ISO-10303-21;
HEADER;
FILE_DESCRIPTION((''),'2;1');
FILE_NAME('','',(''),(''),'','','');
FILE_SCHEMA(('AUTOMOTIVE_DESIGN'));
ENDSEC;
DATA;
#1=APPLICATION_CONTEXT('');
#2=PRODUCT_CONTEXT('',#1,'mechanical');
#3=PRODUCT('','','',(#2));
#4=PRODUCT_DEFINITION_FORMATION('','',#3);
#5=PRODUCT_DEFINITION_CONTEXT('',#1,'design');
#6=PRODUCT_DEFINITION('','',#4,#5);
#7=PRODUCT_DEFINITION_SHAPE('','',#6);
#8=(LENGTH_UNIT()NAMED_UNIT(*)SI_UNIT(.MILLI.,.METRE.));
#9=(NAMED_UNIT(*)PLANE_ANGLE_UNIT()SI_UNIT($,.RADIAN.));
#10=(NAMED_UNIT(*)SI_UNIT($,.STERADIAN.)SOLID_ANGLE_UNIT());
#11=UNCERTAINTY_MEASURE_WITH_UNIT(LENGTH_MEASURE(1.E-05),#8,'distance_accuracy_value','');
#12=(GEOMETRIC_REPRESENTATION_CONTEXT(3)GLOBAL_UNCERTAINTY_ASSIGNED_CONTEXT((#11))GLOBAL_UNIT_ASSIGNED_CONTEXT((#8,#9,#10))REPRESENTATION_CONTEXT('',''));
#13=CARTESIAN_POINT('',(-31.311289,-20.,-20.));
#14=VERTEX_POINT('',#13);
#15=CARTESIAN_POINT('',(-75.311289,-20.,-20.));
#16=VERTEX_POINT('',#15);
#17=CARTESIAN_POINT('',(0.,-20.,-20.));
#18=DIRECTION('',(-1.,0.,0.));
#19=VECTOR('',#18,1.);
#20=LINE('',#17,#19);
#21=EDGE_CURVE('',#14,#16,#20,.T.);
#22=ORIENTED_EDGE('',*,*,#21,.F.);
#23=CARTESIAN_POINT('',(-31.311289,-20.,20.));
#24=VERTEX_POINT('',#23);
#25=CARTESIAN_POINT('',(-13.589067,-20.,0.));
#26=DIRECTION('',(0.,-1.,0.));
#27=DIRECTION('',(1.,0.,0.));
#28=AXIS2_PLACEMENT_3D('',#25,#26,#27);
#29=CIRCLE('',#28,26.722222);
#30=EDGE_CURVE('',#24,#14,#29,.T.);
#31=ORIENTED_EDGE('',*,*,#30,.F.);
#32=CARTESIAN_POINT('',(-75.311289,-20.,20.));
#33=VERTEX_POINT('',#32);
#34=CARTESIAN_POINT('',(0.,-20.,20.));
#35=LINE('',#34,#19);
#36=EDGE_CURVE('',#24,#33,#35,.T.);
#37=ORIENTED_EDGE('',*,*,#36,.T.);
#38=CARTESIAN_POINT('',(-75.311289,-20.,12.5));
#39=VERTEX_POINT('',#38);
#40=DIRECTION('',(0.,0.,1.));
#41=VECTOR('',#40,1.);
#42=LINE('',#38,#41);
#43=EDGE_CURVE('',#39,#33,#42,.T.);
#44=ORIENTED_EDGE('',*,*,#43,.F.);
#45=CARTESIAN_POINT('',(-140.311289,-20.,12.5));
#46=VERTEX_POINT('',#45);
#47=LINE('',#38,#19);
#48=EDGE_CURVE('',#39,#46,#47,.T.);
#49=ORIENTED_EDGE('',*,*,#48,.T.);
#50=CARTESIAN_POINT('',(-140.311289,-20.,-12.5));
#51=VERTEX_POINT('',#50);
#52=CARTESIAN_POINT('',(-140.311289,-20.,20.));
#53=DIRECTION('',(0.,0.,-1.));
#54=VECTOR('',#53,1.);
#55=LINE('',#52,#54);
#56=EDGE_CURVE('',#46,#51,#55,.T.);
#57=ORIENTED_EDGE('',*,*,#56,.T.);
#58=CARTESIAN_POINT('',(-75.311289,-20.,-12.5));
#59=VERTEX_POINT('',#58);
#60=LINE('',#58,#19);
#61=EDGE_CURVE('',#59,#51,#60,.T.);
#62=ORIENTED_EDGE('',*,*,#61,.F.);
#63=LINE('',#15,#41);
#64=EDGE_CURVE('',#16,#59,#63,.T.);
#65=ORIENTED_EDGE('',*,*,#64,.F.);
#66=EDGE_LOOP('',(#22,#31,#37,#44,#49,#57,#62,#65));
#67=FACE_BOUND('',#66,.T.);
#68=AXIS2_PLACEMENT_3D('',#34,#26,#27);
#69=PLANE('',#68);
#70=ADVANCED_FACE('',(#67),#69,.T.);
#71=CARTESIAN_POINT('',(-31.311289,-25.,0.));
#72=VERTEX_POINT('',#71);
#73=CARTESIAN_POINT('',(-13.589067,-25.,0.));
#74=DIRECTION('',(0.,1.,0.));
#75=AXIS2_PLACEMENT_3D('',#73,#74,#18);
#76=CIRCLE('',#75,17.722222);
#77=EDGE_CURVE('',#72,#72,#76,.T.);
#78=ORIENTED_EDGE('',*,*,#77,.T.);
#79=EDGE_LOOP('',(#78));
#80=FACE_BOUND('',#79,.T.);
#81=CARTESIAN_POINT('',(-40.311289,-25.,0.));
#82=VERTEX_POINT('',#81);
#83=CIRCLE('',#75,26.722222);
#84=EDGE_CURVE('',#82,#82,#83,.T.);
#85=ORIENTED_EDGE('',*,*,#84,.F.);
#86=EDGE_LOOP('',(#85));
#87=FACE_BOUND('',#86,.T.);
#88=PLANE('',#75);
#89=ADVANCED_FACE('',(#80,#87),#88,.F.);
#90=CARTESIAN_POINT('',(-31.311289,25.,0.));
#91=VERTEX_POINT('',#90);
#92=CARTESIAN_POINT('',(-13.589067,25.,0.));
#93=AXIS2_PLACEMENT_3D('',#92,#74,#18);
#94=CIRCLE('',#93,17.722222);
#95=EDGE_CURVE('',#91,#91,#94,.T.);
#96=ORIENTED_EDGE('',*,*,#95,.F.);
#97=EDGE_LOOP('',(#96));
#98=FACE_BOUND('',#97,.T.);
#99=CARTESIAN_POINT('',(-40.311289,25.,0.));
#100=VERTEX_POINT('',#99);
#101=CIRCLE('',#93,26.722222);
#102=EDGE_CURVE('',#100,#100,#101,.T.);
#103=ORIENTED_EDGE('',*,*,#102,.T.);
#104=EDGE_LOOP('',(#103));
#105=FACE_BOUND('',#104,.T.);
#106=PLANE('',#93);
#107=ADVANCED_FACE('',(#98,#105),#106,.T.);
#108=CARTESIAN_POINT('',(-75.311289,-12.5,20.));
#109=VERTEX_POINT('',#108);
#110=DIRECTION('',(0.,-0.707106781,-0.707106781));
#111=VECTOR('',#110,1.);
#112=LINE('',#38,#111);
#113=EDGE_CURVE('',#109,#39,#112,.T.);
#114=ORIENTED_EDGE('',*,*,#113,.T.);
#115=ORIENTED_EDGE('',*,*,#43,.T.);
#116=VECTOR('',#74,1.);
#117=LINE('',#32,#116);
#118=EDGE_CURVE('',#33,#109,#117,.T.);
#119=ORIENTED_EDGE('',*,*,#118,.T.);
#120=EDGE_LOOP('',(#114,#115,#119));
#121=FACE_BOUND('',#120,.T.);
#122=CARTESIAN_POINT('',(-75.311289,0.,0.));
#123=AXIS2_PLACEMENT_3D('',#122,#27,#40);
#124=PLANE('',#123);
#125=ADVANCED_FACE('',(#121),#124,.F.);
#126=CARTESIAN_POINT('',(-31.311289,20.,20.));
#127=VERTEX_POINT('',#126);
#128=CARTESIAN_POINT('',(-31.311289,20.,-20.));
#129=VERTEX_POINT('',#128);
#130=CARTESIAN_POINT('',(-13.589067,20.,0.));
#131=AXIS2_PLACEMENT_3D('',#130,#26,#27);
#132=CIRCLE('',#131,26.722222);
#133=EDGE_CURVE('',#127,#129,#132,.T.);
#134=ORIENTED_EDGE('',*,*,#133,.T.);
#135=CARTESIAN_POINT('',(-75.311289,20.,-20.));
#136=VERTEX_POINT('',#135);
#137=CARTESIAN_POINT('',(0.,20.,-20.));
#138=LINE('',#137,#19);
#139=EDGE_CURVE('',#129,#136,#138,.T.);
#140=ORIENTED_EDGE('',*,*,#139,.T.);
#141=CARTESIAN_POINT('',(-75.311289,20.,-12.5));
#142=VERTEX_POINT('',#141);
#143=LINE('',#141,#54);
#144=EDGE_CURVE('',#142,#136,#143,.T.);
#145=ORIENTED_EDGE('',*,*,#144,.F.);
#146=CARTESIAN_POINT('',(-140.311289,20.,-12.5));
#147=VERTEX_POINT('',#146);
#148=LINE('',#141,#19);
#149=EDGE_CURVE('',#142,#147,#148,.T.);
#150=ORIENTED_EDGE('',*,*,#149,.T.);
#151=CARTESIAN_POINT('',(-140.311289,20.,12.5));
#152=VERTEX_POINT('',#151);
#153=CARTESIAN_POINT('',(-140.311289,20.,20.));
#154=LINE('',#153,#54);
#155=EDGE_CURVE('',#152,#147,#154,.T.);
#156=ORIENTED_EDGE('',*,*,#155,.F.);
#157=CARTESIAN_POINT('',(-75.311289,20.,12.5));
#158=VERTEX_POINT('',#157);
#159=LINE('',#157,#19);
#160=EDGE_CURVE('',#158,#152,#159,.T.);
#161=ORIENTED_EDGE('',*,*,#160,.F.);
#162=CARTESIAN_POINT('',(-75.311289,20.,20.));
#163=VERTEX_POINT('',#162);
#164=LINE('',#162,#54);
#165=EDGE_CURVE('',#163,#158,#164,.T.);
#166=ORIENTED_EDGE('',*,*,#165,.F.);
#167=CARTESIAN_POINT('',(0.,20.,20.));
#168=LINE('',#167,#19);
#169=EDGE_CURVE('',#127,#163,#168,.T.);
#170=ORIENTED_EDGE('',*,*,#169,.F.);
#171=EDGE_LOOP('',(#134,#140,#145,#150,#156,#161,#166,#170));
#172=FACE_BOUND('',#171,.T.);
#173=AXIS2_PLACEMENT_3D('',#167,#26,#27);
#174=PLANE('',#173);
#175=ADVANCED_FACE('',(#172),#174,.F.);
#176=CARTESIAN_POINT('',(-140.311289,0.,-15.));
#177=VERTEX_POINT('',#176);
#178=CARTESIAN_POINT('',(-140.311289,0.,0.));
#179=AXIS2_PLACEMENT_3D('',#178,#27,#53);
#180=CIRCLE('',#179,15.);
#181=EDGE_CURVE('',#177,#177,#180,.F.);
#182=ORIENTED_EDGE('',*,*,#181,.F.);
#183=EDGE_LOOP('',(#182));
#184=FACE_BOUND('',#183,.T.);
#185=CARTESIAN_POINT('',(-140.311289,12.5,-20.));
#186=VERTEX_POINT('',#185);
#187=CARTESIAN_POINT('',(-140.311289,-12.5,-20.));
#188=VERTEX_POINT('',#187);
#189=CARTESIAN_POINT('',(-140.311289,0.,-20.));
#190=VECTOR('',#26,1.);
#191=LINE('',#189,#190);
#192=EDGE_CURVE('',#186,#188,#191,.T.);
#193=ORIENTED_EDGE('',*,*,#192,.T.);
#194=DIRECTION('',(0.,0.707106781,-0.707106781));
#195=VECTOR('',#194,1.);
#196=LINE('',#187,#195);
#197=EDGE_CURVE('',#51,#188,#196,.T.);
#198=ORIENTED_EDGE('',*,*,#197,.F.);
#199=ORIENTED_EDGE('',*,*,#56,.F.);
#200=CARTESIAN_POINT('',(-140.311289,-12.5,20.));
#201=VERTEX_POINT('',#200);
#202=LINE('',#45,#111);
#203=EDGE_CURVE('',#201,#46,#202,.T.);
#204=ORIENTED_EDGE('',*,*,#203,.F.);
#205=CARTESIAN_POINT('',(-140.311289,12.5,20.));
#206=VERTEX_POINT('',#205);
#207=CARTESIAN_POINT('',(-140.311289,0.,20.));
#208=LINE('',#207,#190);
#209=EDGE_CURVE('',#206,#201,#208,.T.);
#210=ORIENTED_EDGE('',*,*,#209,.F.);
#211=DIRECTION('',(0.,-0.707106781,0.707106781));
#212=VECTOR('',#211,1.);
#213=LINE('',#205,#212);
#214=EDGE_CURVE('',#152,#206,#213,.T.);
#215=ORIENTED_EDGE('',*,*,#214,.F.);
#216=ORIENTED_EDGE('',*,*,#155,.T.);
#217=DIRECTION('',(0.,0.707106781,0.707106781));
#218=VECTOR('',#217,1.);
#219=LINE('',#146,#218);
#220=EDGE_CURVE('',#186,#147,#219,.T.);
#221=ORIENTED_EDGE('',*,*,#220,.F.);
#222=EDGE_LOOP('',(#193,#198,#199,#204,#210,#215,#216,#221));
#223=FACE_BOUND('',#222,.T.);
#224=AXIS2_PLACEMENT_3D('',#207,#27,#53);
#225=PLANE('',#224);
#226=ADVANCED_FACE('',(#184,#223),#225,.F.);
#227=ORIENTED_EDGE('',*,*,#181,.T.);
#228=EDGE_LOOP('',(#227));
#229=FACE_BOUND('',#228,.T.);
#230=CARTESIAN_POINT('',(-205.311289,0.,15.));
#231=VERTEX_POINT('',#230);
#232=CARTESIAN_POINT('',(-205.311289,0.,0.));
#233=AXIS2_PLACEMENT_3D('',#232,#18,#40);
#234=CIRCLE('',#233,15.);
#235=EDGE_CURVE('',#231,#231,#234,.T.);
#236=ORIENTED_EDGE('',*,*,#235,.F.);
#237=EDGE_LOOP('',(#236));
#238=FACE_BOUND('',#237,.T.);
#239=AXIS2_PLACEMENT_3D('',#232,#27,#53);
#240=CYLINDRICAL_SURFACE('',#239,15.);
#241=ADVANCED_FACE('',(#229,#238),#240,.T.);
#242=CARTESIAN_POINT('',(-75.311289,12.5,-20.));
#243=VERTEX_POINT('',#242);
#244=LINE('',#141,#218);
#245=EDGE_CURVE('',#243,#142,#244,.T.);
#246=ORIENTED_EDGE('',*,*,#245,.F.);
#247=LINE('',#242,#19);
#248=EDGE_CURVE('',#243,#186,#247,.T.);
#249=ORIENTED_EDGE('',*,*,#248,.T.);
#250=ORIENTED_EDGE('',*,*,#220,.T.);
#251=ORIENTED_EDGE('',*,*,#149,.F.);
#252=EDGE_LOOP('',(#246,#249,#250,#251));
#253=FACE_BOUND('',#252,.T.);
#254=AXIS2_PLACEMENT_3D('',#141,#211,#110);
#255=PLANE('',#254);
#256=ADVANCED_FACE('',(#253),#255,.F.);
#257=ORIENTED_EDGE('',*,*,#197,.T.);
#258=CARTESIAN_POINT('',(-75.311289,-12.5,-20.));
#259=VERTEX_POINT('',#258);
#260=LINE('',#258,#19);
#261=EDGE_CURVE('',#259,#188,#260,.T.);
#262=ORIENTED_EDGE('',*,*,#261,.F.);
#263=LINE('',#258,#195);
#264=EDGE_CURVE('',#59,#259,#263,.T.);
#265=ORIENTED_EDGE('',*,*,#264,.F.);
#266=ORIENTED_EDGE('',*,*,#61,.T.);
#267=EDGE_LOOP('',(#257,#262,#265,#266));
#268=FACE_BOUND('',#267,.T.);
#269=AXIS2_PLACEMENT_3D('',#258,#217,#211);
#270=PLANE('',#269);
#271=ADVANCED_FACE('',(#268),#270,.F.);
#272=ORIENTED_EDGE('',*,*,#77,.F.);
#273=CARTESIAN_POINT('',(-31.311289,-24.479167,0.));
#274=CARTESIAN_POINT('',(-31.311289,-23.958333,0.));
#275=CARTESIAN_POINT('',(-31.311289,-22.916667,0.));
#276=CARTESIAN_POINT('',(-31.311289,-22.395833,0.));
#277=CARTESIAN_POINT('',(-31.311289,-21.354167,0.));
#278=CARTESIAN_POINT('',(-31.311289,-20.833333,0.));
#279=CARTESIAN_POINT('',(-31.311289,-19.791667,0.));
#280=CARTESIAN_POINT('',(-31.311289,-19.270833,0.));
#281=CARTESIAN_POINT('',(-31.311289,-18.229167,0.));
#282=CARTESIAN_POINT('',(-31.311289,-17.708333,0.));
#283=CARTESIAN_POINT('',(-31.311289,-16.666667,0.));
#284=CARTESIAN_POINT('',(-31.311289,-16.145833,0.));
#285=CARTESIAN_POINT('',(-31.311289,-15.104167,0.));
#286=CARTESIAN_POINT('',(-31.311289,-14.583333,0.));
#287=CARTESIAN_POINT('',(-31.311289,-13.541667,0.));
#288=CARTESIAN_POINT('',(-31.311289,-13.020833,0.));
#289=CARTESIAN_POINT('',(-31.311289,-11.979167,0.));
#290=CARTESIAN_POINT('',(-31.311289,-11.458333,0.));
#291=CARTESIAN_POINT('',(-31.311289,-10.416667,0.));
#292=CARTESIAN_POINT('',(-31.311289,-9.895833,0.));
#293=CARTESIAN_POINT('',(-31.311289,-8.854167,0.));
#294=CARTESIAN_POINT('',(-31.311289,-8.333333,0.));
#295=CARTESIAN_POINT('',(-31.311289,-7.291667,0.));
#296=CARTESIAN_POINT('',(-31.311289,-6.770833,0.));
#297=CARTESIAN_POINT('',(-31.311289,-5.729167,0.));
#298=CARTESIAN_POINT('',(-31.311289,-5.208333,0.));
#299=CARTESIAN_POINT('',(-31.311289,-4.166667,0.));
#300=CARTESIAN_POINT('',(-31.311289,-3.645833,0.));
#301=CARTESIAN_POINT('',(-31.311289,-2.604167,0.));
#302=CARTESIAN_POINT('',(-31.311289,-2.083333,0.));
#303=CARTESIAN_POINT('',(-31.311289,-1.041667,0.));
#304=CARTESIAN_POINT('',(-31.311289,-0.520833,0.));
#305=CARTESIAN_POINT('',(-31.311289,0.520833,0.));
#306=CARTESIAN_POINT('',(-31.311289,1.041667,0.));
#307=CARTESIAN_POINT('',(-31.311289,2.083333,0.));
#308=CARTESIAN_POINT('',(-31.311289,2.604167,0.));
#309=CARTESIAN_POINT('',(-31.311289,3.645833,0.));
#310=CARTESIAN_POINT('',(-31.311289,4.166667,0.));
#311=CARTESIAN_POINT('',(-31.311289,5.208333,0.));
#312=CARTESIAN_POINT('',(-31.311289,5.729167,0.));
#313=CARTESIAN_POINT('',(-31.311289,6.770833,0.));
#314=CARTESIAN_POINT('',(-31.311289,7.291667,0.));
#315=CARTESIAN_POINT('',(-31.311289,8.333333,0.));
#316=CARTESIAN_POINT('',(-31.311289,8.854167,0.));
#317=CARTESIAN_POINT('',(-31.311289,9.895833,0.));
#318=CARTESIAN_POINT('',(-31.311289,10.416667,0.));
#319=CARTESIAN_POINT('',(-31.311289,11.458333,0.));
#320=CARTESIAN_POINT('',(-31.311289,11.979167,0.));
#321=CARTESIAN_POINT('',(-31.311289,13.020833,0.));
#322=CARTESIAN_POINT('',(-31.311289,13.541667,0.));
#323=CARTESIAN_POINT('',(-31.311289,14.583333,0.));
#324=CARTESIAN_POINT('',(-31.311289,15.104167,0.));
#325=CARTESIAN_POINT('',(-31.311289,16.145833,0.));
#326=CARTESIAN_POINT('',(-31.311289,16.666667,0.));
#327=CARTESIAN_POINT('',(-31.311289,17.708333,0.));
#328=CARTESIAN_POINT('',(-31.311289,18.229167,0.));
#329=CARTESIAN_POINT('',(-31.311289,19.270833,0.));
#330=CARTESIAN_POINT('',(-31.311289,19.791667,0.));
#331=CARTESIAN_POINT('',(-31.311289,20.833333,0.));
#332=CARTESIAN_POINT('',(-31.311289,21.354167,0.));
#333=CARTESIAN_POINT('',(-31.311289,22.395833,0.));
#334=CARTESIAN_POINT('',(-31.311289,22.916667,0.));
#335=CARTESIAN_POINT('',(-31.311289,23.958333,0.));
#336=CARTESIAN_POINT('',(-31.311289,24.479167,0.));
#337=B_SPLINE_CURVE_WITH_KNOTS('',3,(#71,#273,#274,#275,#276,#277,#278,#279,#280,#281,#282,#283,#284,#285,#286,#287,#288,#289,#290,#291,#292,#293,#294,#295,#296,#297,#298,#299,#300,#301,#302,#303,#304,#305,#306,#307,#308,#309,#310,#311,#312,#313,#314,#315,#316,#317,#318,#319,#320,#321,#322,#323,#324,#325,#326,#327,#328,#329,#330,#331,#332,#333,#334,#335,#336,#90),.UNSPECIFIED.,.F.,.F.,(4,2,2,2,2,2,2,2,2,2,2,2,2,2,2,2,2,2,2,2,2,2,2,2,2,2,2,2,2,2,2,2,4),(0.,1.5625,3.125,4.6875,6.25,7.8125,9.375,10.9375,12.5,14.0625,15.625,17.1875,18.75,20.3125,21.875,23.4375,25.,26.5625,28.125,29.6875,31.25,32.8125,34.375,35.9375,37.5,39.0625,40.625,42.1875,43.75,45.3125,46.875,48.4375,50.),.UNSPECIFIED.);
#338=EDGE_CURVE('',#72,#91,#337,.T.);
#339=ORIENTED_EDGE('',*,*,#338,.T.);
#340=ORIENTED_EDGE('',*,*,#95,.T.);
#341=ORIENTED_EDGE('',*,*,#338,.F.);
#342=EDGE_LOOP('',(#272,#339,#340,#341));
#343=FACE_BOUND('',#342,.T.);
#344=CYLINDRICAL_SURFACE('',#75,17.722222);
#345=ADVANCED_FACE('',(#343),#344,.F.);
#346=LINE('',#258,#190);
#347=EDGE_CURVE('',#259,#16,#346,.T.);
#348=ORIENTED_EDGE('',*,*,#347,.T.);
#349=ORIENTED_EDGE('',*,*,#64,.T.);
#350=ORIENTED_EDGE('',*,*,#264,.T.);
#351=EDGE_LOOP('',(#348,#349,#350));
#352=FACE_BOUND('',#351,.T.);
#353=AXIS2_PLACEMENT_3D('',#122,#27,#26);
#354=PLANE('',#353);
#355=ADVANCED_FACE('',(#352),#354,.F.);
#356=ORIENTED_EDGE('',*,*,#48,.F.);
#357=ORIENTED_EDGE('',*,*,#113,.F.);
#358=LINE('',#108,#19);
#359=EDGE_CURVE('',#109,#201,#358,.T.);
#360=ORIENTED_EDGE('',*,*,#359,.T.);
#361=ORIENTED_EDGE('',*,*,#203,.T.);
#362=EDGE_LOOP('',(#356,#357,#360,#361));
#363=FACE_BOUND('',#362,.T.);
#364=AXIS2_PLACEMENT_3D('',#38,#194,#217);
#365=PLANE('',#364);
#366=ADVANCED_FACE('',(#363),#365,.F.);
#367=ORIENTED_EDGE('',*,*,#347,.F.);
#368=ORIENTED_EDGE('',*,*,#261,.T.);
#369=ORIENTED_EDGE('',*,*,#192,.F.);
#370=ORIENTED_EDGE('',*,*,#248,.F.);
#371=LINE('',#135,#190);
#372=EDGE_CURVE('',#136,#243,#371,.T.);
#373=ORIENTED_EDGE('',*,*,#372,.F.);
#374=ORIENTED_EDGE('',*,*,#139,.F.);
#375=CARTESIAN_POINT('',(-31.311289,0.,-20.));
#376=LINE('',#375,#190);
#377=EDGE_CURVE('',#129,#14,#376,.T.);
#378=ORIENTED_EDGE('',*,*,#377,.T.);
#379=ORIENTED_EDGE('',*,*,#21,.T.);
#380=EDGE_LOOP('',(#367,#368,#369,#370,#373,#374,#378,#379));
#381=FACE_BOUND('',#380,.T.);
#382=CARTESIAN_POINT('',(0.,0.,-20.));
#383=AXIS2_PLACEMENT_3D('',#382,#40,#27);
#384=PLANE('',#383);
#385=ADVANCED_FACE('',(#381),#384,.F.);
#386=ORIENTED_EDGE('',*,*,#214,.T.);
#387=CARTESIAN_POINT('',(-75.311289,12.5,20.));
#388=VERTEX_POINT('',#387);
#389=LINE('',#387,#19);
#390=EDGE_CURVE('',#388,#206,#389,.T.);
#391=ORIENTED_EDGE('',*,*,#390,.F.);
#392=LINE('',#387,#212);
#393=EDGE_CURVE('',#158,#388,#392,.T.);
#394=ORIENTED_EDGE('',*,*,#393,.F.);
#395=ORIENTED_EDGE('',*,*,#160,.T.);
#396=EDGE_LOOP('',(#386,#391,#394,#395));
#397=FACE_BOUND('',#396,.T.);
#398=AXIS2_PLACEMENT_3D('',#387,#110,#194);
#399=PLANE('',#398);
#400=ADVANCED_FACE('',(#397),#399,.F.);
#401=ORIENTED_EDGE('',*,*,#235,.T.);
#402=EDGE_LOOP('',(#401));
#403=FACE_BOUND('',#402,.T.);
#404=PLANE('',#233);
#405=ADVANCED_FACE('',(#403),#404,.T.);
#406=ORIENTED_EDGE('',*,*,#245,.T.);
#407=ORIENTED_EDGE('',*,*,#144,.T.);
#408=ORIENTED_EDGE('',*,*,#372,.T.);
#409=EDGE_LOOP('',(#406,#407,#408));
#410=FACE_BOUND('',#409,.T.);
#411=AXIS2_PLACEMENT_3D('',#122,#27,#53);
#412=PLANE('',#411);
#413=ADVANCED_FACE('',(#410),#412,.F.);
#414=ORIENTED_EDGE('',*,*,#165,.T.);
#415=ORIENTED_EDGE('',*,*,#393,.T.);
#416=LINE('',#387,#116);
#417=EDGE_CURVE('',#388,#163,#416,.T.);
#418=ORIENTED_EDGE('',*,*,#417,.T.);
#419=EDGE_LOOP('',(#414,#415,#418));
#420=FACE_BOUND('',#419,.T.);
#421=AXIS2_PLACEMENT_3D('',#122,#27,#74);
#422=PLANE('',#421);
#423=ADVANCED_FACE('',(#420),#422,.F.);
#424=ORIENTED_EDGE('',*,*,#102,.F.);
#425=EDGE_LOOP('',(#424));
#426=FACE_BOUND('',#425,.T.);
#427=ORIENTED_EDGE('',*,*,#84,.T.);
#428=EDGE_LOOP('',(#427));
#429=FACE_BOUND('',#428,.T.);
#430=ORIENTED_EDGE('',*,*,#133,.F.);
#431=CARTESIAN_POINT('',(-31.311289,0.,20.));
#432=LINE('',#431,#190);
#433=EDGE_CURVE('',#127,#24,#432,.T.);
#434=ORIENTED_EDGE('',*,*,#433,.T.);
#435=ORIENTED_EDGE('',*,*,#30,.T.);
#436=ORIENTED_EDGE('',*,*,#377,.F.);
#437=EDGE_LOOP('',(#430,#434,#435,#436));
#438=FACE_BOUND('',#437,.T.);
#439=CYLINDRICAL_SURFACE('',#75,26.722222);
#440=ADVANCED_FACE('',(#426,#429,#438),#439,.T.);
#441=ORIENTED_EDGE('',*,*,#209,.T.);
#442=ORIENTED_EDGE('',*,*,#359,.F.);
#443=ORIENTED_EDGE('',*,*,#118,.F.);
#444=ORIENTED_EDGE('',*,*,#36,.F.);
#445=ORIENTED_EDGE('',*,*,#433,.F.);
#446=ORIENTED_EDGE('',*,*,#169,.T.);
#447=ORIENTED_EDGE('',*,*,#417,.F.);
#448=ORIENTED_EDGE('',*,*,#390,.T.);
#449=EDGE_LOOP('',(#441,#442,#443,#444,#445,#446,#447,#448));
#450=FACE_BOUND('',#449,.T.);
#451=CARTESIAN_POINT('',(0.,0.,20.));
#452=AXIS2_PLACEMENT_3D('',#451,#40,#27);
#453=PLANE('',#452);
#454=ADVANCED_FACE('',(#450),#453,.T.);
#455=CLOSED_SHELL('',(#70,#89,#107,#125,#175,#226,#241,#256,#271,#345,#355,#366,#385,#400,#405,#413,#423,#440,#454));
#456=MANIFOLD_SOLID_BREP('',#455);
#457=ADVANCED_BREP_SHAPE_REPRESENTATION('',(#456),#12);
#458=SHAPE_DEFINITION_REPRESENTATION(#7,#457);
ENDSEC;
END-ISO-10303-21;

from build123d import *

# Parameters (mm, degrees)
BOSS_EXTRUDE1_DEPTH      = 20
SKETCH2_R                = 26.722222222
SKETCH2_R_2              = 17.722222222
BOSS_EXTRUDE2_DEPTH      = 20
CUT_EXTRUDE1_DEPTH       = 65
SKETCH4_R                = 15
BOSS_EXTRUDE3_DEPTH      = 65
CIRPATTERN1_COUNT        = 4
SKETCH5_W                = 98.755733185
SKETCH5_H                = 100
CUT_EXTRUDE2_DEPTH       = 216.315330002
CUT_EXTRUDE2_DEPTH_BACK  = 216.315330002
MOVE_FACE1_BY            = 9
SKETCH6_R                = 26.722222222
SKETCH6_R_2              = 17.722222222
BOSS_EXTRUDE4_DEPTH      = 5
BOSS_EXTRUDE4_DEPTH_BACK = 45


with BuildPart() as part:
    # Sketch1 → Boss-Extrude1 (new, symmetric)
    with BuildSketch(Plane.XY):
        with BuildLine():
            Line((-140.311288741, 0), (-45, 0))
            ThreePointArc((-45, 0), (-43.812144397, 10.271124735), (-40.311288741, 20))
            Line((-40.311288741, 20), (-140.311288741, 20))
            Line((-140.311288741, 20), (-140.311288741, 0))
        make_face()
        with BuildLine():
            ThreePointArc((-40.311288741, -20), (-43.812144397, -10.271124735), (-45, 0))
            Line((-45, 0), (-140.311288741, 0))
            Line((-140.311288741, 0), (-140.311288741, -20))
            Line((-140.311288741, -20), (-40.311288741, -20))
        make_face()
        with BuildLine():
            ThreePointArc((-25, 0), (-17.67766953, 17.67766953), (0, 25))
            Line((0, 25), (9, 25))
            Line((9, 25), (9, 45))
            Line((9, 45), (0, 45))
            ThreePointArc((0, 45), (-23.717082451, 38.242646352), (-40.311288741, 20))
            ThreePointArc((-40.311288741, 20), (-43.812144397, 10.271124735), (-45, 0))
            Line((-45, 0), (-25, 0))
        make_face()
        with BuildLine():
            ThreePointArc((0, -25), (-17.67766953, -17.67766953), (-25, 0))
            Line((-25, 0), (-45, 0))
            ThreePointArc((-45, 0), (-43.812144397, -10.271124735), (-40.311288741, -20))
            ThreePointArc((-40.311288741, -20), (-23.717082451, -38.242646352), (0, -45))
            Line((0, -45), (9, -45))
            Line((9, -45), (9, -25))
            Line((9, -25), (0, -25))
        make_face()
    extrude(amount=BOSS_EXTRUDE1_DEPTH, both=True)

    # Sketch2 → Boss-Extrude2 (add)
    with BuildSketch(Plane(origin=(0, 45, 0), x_dir=(1, 0, 0), z_dir=(0, 1, 0))):
        with Locations((26.722222222, 0)):
            Circle(SKETCH2_R)
        with Locations(Location((26.722222222, 0, 0), (0, 0, 270))):
            Circle(SKETCH2_R_2, mode=Mode.SUBTRACT)
    boss_extrude2 = extrude(amount=-BOSS_EXTRUDE2_DEPTH)

    # Mirror1: Boss-Extrude2 across plane
    add(boss_extrude2.mirror(Plane.ZX))

    # Sketch3 → Cut-Extrude1 (cut)
    with BuildSketch(Plane.ZY.offset(140.311288741)):
        Polygon((-12.5, 20), (-20, 20), (-20, 12.5), align=None)
    cut_extrude1 = extrude(amount=-CUT_EXTRUDE1_DEPTH, mode=Mode.SUBTRACT)

    # Sketch4 → Boss-Extrude3 (add)
    with BuildSketch(Plane.ZY.offset(140.311288741)):
        with Locations(Location((0, 0, 0), (0, 0, 180))):
            Circle(SKETCH4_R)
    extrude(amount=BOSS_EXTRUDE3_DEPTH)

    # CirPattern1: Cut-Extrude1 ×4 about axis
    cirpattern1_axis = Axis((0, 0, 0), (1, 0, 0))
    for i in range(1, CIRPATTERN1_COUNT):
        add(cut_extrude1.rotate(cirpattern1_axis, i * 360 / CIRPATTERN1_COUNT), mode=Mode.SUBTRACT)

    # Sketch5 → Cut-Extrude2 (cut, two sides)
    with BuildSketch(Plane.XY.offset(20)) as cut_extrude2_sk:
        with Locations((9.066577851, 0)):
            Rectangle(SKETCH5_W, SKETCH5_H)
    extrude(amount=CUT_EXTRUDE2_DEPTH, mode=Mode.SUBTRACT)
    extrude(cut_extrude2_sk.sketch, amount=-CUT_EXTRUDE2_DEPTH_BACK, mode=Mode.SUBTRACT)

    # Move Face1: a face moved outward by 9.0
    extrude(part.faces().sort_by_distance((-40.311288741, 0, 0))[0], amount=MOVE_FACE1_BY, dir=(1, 0, 0))

    # Sketch6 → Boss-Extrude4 (add, two sides)
    with BuildSketch(Plane(origin=(0, 20, 0), x_dir=(1, 0, 0), z_dir=(0, 1, 0))) as boss_extrude4_sk:
        with Locations(Location((-13.589066519, 0, 0), (0, 0, 180))):
            Circle(SKETCH6_R)
        with Locations(Location((-13.589066519, 0, 0), (0, 0, 180))):
            Circle(SKETCH6_R_2, mode=Mode.SUBTRACT)
    extrude(amount=BOSS_EXTRUDE4_DEPTH)
    extrude(boss_extrude4_sk.sketch, amount=-BOSS_EXTRUDE4_DEPTH_BACK)


solid = part.part
